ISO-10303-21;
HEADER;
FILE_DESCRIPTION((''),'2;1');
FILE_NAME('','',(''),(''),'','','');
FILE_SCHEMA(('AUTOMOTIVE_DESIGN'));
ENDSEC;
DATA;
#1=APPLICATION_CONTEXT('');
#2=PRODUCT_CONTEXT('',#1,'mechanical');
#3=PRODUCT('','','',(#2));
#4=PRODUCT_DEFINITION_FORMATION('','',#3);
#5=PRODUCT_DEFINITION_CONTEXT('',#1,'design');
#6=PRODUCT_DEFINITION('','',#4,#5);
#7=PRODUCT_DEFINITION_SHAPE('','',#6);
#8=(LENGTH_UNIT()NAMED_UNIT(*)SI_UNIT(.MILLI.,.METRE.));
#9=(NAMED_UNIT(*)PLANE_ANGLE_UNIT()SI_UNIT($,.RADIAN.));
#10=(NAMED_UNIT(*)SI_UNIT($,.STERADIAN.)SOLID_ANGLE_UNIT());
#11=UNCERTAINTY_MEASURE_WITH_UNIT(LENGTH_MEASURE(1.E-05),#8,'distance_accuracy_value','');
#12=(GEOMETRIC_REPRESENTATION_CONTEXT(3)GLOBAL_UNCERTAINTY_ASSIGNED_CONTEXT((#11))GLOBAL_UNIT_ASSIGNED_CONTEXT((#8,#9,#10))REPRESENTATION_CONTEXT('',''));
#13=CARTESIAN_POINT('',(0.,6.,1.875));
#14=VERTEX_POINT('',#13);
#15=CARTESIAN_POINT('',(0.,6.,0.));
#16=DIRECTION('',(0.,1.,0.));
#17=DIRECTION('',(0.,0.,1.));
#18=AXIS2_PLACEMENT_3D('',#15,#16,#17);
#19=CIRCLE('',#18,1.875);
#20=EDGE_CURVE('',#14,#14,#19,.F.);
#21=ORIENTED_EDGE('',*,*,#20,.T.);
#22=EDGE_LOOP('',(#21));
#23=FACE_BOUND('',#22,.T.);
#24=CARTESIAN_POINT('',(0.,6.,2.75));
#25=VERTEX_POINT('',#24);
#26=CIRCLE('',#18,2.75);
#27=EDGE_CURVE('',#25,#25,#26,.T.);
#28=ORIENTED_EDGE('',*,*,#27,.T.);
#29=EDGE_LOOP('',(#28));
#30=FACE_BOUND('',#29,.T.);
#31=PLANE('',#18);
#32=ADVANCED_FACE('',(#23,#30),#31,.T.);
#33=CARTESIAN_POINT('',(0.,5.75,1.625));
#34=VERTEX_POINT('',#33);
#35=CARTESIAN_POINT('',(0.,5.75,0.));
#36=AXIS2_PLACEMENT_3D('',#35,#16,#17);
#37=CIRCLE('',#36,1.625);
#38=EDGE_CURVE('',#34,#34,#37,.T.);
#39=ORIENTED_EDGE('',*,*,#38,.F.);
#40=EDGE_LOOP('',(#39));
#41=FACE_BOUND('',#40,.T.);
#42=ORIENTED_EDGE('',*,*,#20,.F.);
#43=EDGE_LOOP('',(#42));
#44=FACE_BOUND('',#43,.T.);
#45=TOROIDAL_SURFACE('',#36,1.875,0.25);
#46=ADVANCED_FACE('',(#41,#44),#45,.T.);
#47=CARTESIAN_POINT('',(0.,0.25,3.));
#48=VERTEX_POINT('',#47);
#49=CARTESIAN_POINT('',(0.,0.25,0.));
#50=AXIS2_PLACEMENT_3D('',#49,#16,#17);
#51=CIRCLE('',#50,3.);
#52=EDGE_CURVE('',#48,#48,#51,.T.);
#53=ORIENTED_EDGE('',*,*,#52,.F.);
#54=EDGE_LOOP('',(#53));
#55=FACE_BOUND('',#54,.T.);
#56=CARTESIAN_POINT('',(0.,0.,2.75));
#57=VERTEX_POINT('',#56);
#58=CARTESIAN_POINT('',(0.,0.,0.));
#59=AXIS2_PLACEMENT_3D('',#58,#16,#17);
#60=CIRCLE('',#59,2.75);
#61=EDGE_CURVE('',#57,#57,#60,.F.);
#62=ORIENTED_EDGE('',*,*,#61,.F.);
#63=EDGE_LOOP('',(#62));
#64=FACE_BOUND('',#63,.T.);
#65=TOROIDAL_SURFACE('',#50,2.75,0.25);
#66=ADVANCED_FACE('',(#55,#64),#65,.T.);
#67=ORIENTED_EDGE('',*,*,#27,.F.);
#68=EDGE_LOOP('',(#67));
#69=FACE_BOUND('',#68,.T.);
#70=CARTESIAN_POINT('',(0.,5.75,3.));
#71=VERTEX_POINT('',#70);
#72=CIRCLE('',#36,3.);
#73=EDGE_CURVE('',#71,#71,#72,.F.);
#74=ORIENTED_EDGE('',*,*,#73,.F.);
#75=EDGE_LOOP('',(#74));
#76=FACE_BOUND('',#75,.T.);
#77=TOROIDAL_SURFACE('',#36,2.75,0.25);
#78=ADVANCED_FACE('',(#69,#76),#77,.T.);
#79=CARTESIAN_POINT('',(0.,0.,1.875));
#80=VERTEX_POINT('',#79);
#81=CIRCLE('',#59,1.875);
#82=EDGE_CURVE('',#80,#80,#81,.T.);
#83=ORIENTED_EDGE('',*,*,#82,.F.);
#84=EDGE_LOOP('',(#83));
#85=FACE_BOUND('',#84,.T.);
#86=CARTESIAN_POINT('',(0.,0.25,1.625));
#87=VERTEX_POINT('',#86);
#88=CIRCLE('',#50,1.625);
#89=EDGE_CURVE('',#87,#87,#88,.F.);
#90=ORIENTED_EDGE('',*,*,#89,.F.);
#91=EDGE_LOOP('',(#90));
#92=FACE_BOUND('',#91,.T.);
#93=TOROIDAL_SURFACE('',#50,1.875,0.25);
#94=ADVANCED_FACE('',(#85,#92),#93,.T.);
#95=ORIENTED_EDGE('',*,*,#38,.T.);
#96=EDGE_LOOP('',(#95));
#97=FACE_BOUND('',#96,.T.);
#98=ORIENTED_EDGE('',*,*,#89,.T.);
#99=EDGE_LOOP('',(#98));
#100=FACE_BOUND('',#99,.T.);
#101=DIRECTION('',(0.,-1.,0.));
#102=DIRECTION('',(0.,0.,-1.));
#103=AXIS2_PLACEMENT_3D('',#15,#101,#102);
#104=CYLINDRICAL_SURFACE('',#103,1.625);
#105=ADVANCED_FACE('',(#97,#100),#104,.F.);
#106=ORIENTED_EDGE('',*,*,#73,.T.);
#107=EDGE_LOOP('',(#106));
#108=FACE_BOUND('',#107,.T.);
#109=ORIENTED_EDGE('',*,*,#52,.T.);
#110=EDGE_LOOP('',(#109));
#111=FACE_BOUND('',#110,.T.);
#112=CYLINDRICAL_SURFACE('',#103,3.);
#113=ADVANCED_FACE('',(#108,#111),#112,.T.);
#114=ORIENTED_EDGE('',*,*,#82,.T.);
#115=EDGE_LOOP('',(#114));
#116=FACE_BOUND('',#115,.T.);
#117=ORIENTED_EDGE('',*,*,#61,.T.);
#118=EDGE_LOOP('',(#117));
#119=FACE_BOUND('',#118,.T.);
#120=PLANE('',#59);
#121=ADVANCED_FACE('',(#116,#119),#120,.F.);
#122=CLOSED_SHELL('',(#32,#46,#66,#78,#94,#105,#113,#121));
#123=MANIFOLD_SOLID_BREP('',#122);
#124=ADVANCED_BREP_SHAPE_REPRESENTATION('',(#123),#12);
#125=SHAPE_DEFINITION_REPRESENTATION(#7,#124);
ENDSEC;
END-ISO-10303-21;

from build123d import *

# Parameters (mm, degrees)
SKETCH1_R           = 3
SKETCH1_R_2         = 1.625
BOSS_EXTRUDE1_DEPTH = 6
FILLET1_R           = 0.25


with BuildPart() as part:
    # Sketch1 → Boss-Extrude1 (new body)
    with BuildSketch(Plane(origin=(0, 0, 0), x_dir=(1, 0, 0), z_dir=(0, 1, 0))):
        with Locations(Location((0, 0, 0), (0, 0, 270))):  # turned: the seam where the file's is
            Circle(SKETCH1_R)
        with Locations(Location((0, 0, 0), (0, 0, 270))):  # turned: the seam where the file's is
            Circle(SKETCH1_R_2, mode=Mode.SUBTRACT)
    extrude(amount=BOSS_EXTRUDE1_DEPTH)

    # Fillet1
    fillet1_edges = [part.edges().sort_by_distance(p)[0] for p in [
        (0, 0, -3),
        (0, 6, -3),
        (0, 0, -1.625),
        (0, 6, -1.625),
    ]]
    fillet(fillet1_edges, radius=FILLET1_R)


solid = part.part
